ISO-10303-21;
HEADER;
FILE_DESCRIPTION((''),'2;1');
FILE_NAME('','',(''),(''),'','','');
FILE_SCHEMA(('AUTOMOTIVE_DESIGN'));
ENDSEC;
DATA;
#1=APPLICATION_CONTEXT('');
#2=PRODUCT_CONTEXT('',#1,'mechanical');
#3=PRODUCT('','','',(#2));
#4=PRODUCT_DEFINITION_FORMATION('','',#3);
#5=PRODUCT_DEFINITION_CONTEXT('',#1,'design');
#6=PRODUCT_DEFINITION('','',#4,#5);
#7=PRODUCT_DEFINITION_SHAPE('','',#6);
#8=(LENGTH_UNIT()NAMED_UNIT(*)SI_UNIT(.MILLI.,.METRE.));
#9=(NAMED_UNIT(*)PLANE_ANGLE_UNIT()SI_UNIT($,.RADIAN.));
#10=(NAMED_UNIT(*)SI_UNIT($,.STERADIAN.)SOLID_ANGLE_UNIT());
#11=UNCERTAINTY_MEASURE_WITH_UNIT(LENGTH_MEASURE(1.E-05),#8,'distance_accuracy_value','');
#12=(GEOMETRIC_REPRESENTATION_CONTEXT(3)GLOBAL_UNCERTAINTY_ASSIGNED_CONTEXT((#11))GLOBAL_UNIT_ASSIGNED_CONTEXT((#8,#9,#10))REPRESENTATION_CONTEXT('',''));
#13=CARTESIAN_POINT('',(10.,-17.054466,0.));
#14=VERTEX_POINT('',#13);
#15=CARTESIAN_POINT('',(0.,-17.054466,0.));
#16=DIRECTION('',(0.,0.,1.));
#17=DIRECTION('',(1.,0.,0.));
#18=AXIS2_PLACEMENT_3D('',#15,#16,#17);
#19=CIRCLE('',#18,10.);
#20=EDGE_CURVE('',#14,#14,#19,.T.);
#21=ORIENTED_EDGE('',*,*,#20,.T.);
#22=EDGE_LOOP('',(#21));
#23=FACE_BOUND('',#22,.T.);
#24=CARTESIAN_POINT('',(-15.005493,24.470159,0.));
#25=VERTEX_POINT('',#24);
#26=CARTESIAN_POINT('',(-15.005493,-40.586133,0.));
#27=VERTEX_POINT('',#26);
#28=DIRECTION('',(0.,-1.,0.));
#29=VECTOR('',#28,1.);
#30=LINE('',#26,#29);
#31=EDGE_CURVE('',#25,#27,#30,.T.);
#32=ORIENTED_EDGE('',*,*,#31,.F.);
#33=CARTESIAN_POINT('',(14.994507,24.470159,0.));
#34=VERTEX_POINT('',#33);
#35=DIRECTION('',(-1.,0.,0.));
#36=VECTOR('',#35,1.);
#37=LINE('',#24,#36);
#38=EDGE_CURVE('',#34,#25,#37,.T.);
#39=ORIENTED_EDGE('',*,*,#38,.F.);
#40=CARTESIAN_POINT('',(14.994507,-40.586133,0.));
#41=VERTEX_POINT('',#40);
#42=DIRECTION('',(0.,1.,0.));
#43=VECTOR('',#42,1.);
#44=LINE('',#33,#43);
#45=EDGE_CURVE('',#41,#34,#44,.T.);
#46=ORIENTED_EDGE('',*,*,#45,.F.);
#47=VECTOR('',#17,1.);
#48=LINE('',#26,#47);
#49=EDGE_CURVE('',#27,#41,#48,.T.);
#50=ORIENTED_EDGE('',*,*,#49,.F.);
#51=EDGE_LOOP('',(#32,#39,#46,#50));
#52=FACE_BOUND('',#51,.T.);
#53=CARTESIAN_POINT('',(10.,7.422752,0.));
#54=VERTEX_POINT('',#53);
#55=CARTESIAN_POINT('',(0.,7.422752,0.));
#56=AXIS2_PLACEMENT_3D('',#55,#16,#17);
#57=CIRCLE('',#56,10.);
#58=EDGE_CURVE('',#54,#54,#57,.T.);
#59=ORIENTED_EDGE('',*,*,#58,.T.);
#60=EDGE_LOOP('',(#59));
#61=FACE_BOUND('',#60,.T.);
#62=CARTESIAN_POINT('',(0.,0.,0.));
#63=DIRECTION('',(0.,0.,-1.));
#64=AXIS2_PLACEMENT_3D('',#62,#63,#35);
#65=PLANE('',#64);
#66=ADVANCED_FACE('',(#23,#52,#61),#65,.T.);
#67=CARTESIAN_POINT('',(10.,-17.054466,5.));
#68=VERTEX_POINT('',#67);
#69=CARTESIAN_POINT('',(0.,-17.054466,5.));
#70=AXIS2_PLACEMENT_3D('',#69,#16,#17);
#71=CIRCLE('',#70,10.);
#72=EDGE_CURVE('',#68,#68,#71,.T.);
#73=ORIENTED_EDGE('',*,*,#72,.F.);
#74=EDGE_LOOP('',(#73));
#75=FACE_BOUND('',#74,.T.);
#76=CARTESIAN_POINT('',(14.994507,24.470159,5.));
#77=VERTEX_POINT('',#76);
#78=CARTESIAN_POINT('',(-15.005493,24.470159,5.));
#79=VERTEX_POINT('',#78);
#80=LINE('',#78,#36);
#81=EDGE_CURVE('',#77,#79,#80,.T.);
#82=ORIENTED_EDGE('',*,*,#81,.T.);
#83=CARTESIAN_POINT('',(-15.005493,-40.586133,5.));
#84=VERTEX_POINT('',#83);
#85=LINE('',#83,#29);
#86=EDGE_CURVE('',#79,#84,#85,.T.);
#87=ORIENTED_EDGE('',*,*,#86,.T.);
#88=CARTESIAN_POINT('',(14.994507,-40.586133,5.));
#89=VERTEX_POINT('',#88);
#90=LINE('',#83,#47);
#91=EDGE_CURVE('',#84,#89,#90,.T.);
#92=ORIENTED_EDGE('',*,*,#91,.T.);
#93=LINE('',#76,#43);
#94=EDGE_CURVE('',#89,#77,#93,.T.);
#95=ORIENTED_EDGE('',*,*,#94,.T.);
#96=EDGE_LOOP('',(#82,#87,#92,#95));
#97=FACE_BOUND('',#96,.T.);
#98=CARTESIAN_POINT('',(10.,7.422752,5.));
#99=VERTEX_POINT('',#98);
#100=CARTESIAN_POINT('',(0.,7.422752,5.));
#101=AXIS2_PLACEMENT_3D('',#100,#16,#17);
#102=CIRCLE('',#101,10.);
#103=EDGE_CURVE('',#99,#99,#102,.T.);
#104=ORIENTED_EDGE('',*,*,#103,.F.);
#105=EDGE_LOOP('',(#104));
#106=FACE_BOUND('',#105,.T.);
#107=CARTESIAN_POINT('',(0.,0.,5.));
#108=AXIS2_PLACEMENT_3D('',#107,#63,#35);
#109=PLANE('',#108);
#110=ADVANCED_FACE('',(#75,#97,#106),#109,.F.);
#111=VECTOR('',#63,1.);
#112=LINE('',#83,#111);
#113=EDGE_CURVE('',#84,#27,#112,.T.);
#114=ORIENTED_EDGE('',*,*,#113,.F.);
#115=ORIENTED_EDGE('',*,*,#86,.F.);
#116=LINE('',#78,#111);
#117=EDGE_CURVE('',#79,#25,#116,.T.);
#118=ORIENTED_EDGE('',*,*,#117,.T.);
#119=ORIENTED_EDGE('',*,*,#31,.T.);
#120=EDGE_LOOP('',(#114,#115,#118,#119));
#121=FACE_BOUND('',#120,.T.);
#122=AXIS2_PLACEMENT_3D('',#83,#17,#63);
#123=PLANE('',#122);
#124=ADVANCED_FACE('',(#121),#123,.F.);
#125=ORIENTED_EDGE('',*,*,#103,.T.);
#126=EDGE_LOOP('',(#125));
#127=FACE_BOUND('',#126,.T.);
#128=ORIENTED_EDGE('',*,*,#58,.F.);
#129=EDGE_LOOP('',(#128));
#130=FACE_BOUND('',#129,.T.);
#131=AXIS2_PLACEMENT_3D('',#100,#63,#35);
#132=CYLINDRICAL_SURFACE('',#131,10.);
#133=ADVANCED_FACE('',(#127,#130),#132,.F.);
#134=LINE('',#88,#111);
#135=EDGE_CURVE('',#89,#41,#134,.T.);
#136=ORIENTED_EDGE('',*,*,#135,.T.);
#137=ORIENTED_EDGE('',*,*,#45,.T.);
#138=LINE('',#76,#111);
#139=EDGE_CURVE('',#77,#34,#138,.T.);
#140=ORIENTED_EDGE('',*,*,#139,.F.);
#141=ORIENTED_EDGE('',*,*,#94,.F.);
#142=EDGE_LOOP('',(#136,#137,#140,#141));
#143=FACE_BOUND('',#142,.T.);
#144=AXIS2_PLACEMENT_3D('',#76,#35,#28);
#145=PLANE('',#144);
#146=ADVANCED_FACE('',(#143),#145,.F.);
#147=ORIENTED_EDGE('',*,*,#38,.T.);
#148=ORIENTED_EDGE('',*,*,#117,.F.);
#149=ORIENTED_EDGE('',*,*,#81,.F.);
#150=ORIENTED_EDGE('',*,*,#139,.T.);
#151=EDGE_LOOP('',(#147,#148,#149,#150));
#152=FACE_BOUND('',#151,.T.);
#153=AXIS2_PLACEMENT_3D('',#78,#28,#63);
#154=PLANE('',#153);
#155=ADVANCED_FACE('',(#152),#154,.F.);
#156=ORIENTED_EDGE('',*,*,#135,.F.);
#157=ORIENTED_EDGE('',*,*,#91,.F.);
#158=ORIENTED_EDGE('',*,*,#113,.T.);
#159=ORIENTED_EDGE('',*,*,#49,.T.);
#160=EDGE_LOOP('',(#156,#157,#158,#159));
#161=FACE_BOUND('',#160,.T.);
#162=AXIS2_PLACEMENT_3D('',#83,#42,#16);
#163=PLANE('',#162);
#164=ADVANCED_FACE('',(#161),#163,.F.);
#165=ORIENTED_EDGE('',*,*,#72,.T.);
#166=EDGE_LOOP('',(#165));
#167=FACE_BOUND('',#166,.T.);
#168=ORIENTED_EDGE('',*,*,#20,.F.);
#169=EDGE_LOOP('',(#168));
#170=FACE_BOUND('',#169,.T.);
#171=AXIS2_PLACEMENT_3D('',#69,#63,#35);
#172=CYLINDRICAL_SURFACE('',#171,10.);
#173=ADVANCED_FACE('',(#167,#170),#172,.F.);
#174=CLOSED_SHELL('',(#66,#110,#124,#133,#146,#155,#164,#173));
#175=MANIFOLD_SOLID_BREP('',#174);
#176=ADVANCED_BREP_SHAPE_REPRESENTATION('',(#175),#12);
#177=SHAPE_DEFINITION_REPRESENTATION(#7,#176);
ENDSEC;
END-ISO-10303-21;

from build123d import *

# Parameters (mm, degrees)
SKETCH1_W           = 30
SKETCH1_H           = 65.056292468
SKETCH1_R           = 10
BOSS_EXTRUDE1_DEPTH = 5


with BuildPart() as part:
    # Sketch1 → Boss-Extrude1 (new body)
    with BuildSketch(Plane.XY):
        with Locations((-0.005493168, -8.057986772)):
            Rectangle(SKETCH1_W, SKETCH1_H)
        with Locations((0, 7.422751964)):
            Circle(SKETCH1_R, mode=Mode.SUBTRACT)
        with Locations((0, -17.054465918)):
            Circle(SKETCH1_R, mode=Mode.SUBTRACT)
    extrude(amount=BOSS_EXTRUDE1_DEPTH)


solid = part.part
